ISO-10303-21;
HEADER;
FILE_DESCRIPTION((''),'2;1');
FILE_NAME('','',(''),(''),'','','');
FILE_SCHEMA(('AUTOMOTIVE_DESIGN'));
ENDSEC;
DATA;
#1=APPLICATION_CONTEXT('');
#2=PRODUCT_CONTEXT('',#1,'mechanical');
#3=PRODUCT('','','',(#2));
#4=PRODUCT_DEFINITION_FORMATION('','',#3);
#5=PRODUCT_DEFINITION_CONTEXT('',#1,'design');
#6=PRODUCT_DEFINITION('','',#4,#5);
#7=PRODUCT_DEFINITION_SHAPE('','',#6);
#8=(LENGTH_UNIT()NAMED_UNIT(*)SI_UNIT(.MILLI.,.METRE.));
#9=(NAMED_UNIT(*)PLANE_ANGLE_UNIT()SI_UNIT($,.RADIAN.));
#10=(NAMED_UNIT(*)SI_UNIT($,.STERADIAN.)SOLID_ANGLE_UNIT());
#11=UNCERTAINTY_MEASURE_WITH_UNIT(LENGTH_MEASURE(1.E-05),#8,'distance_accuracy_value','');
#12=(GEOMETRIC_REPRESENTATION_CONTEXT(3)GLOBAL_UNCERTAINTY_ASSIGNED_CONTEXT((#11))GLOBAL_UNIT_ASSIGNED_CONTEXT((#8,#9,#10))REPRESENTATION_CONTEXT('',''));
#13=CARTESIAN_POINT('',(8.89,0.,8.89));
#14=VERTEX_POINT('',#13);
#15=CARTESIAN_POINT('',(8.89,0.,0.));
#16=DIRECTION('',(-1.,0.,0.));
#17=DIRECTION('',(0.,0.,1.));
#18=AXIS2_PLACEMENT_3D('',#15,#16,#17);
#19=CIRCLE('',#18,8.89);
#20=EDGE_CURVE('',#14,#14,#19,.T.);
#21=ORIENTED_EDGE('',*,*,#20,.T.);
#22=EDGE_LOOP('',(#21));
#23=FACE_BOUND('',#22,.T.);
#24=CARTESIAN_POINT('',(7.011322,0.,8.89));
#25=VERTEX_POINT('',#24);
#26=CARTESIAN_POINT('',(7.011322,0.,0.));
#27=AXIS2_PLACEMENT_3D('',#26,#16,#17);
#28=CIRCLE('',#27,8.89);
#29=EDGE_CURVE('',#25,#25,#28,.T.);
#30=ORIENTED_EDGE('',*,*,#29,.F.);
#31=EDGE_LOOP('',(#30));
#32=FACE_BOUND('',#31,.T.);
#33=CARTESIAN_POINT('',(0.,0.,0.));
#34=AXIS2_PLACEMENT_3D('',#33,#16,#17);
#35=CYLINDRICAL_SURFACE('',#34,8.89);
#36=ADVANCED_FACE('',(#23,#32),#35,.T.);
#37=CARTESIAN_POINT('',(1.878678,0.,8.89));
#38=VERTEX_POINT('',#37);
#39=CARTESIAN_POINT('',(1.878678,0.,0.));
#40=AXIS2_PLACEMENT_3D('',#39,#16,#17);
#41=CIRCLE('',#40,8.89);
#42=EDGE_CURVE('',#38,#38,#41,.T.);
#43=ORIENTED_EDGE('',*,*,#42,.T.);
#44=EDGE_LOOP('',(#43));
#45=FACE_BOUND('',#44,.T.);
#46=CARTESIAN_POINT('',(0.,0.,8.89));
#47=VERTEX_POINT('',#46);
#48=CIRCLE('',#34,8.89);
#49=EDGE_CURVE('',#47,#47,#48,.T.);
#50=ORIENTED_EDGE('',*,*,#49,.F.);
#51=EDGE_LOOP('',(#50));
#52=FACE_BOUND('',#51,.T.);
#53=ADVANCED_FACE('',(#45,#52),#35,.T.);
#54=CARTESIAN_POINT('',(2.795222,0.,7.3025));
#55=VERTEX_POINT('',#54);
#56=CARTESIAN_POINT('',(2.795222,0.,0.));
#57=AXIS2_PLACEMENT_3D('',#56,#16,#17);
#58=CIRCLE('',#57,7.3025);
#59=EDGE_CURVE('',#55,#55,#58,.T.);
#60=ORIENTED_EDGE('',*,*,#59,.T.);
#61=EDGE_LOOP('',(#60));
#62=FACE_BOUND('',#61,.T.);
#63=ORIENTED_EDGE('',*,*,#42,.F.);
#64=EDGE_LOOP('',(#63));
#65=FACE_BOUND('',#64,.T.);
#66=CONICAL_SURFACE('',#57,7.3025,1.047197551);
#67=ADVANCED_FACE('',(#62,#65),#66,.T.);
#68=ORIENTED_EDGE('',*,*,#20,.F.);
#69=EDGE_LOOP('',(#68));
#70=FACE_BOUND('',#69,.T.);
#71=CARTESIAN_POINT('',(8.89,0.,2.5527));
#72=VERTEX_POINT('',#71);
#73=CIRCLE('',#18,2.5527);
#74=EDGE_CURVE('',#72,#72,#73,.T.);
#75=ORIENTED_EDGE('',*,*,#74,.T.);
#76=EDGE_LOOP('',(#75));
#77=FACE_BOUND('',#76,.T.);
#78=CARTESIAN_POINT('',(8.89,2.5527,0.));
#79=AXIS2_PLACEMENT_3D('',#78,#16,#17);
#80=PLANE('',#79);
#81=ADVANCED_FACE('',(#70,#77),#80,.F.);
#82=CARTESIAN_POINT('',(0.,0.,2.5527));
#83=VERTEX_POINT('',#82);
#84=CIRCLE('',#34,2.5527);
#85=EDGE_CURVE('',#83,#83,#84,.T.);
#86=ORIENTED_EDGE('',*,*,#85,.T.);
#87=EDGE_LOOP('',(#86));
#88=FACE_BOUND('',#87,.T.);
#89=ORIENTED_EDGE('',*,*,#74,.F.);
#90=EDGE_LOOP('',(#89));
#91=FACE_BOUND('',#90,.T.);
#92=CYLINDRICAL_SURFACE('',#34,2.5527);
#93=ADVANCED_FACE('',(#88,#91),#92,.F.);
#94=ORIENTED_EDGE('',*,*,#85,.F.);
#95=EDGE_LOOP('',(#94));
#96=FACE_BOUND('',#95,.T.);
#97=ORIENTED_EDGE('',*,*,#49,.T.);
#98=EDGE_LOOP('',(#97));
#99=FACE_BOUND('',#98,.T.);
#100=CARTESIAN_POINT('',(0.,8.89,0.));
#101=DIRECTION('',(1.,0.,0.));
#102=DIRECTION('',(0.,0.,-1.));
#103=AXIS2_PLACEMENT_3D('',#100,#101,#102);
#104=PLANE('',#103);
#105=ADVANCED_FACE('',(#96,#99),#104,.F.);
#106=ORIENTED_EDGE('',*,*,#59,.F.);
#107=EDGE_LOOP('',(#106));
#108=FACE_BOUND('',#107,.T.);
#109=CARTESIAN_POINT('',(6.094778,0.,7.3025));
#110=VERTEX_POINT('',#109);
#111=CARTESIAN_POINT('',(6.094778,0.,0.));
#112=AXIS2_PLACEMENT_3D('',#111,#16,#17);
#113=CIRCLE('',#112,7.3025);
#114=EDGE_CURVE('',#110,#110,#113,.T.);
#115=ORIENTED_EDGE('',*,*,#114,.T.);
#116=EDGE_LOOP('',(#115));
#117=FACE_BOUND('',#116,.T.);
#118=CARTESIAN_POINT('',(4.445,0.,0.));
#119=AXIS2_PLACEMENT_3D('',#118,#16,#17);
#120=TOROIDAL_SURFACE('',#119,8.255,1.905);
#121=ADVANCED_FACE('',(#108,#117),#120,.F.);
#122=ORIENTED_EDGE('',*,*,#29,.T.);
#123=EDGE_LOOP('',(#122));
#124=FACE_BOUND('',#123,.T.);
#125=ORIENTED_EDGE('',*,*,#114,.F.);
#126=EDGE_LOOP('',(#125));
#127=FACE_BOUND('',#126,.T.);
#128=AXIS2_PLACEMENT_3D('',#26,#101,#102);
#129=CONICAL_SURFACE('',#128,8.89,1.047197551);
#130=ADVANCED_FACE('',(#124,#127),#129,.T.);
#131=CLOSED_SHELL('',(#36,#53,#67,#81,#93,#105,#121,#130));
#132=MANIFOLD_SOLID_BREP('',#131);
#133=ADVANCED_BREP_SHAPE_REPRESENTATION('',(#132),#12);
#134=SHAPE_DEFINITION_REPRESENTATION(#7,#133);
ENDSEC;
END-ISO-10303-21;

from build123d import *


with BuildPart() as part:
    # Sketch1 → Revolve1 (revolve)
    with BuildSketch(Plane.XY):
        with BuildLine():
            Line((0, 2.5527), (8.89, 2.5527))
            Line((8.89, 2.5527), (8.89, 8.89))
            Line((8.89, 8.89), (7.011321947, 8.89))
            Line((7.011321947, 8.89), (6.094778394, 7.3025))
            ThreePointArc((6.094778394, 7.3025), (4.445, 6.35), (2.795221606, 7.3025))
            Line((2.795221606, 7.3025), (1.878678053, 8.89))
            Line((1.878678053, 8.89), (0, 8.89))
            Line((0, 8.89), (0, 2.5527))
        make_face()
    revolve(axis=Axis((0, 0, 0), (1, 0, 0)))


solid = part.part
